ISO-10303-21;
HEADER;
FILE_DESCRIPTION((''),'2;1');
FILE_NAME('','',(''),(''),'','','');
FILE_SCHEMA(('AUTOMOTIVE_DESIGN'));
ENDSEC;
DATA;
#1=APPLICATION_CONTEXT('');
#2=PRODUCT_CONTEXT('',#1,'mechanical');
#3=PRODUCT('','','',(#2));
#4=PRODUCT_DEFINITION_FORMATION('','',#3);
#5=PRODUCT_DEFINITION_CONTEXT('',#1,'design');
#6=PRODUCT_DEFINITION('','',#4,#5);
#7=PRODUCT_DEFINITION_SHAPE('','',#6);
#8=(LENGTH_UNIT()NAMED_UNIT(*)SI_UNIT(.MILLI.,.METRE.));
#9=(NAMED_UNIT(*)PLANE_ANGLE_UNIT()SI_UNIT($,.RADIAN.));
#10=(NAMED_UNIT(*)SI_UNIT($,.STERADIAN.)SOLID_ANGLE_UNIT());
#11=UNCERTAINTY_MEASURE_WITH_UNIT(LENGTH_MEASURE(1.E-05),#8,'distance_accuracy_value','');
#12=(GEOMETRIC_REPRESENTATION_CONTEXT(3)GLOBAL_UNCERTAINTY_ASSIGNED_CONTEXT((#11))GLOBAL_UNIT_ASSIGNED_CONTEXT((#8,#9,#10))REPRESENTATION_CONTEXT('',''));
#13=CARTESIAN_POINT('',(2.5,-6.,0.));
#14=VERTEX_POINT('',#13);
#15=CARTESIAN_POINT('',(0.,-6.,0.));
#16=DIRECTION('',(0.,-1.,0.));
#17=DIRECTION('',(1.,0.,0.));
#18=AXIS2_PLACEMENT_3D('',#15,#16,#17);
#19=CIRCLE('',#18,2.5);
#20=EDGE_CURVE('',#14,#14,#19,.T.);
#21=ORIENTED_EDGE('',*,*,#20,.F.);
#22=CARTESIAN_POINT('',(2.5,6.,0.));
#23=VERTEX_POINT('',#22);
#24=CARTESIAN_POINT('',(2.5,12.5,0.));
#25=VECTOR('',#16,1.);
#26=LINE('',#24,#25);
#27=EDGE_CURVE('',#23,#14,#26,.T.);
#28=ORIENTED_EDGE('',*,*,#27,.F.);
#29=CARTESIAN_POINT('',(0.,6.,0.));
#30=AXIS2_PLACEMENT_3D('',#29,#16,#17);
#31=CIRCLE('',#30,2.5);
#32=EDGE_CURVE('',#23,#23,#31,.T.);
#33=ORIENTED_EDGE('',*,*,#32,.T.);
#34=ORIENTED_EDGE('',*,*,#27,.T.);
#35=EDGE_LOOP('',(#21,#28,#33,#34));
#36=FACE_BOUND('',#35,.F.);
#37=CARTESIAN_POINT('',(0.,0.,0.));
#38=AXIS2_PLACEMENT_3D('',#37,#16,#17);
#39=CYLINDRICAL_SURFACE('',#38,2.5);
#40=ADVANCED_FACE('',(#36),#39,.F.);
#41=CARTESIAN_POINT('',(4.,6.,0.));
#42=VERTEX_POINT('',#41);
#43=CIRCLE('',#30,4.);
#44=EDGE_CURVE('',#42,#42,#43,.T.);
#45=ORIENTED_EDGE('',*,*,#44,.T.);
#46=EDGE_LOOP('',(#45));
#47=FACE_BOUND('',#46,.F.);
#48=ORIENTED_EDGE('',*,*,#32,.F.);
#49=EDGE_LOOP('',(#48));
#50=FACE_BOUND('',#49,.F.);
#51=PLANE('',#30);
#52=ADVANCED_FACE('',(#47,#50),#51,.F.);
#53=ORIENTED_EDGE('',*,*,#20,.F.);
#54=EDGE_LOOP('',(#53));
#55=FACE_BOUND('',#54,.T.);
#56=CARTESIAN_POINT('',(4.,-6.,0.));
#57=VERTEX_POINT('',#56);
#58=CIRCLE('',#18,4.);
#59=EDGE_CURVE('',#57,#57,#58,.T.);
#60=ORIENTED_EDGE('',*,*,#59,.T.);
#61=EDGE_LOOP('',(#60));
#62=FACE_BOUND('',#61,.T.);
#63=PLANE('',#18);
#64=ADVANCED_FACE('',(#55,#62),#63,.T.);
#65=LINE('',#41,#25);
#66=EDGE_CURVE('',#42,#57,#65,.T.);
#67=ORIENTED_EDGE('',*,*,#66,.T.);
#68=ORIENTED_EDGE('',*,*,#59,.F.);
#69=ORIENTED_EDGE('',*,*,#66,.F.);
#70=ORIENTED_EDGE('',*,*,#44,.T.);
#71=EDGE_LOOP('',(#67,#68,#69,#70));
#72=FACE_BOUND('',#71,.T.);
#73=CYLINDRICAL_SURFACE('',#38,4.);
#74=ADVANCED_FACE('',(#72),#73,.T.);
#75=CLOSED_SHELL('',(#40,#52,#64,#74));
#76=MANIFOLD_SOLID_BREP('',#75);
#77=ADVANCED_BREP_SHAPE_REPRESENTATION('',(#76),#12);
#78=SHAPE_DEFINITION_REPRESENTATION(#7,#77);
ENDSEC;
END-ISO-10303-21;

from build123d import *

# Parameters (mm, degrees)
F0_R     = 4
F1_DEPTH = 6
F2_R     = 2.5
F3_DEPTH = 12.5


with BuildPart() as f1:
    # F0 (on Front) → F1 (new body, symmetric)
    with BuildSketch(Plane.XZ):
        Circle(F0_R)
    extrude(amount=F1_DEPTH, both=True)

    # F2 (on Front) → F3 (cut, symmetric)
    with BuildSketch(Plane.XZ):
        Circle(F2_R)
    extrude(amount=F3_DEPTH, both=True, mode=Mode.SUBTRACT)


solid = f1.part
